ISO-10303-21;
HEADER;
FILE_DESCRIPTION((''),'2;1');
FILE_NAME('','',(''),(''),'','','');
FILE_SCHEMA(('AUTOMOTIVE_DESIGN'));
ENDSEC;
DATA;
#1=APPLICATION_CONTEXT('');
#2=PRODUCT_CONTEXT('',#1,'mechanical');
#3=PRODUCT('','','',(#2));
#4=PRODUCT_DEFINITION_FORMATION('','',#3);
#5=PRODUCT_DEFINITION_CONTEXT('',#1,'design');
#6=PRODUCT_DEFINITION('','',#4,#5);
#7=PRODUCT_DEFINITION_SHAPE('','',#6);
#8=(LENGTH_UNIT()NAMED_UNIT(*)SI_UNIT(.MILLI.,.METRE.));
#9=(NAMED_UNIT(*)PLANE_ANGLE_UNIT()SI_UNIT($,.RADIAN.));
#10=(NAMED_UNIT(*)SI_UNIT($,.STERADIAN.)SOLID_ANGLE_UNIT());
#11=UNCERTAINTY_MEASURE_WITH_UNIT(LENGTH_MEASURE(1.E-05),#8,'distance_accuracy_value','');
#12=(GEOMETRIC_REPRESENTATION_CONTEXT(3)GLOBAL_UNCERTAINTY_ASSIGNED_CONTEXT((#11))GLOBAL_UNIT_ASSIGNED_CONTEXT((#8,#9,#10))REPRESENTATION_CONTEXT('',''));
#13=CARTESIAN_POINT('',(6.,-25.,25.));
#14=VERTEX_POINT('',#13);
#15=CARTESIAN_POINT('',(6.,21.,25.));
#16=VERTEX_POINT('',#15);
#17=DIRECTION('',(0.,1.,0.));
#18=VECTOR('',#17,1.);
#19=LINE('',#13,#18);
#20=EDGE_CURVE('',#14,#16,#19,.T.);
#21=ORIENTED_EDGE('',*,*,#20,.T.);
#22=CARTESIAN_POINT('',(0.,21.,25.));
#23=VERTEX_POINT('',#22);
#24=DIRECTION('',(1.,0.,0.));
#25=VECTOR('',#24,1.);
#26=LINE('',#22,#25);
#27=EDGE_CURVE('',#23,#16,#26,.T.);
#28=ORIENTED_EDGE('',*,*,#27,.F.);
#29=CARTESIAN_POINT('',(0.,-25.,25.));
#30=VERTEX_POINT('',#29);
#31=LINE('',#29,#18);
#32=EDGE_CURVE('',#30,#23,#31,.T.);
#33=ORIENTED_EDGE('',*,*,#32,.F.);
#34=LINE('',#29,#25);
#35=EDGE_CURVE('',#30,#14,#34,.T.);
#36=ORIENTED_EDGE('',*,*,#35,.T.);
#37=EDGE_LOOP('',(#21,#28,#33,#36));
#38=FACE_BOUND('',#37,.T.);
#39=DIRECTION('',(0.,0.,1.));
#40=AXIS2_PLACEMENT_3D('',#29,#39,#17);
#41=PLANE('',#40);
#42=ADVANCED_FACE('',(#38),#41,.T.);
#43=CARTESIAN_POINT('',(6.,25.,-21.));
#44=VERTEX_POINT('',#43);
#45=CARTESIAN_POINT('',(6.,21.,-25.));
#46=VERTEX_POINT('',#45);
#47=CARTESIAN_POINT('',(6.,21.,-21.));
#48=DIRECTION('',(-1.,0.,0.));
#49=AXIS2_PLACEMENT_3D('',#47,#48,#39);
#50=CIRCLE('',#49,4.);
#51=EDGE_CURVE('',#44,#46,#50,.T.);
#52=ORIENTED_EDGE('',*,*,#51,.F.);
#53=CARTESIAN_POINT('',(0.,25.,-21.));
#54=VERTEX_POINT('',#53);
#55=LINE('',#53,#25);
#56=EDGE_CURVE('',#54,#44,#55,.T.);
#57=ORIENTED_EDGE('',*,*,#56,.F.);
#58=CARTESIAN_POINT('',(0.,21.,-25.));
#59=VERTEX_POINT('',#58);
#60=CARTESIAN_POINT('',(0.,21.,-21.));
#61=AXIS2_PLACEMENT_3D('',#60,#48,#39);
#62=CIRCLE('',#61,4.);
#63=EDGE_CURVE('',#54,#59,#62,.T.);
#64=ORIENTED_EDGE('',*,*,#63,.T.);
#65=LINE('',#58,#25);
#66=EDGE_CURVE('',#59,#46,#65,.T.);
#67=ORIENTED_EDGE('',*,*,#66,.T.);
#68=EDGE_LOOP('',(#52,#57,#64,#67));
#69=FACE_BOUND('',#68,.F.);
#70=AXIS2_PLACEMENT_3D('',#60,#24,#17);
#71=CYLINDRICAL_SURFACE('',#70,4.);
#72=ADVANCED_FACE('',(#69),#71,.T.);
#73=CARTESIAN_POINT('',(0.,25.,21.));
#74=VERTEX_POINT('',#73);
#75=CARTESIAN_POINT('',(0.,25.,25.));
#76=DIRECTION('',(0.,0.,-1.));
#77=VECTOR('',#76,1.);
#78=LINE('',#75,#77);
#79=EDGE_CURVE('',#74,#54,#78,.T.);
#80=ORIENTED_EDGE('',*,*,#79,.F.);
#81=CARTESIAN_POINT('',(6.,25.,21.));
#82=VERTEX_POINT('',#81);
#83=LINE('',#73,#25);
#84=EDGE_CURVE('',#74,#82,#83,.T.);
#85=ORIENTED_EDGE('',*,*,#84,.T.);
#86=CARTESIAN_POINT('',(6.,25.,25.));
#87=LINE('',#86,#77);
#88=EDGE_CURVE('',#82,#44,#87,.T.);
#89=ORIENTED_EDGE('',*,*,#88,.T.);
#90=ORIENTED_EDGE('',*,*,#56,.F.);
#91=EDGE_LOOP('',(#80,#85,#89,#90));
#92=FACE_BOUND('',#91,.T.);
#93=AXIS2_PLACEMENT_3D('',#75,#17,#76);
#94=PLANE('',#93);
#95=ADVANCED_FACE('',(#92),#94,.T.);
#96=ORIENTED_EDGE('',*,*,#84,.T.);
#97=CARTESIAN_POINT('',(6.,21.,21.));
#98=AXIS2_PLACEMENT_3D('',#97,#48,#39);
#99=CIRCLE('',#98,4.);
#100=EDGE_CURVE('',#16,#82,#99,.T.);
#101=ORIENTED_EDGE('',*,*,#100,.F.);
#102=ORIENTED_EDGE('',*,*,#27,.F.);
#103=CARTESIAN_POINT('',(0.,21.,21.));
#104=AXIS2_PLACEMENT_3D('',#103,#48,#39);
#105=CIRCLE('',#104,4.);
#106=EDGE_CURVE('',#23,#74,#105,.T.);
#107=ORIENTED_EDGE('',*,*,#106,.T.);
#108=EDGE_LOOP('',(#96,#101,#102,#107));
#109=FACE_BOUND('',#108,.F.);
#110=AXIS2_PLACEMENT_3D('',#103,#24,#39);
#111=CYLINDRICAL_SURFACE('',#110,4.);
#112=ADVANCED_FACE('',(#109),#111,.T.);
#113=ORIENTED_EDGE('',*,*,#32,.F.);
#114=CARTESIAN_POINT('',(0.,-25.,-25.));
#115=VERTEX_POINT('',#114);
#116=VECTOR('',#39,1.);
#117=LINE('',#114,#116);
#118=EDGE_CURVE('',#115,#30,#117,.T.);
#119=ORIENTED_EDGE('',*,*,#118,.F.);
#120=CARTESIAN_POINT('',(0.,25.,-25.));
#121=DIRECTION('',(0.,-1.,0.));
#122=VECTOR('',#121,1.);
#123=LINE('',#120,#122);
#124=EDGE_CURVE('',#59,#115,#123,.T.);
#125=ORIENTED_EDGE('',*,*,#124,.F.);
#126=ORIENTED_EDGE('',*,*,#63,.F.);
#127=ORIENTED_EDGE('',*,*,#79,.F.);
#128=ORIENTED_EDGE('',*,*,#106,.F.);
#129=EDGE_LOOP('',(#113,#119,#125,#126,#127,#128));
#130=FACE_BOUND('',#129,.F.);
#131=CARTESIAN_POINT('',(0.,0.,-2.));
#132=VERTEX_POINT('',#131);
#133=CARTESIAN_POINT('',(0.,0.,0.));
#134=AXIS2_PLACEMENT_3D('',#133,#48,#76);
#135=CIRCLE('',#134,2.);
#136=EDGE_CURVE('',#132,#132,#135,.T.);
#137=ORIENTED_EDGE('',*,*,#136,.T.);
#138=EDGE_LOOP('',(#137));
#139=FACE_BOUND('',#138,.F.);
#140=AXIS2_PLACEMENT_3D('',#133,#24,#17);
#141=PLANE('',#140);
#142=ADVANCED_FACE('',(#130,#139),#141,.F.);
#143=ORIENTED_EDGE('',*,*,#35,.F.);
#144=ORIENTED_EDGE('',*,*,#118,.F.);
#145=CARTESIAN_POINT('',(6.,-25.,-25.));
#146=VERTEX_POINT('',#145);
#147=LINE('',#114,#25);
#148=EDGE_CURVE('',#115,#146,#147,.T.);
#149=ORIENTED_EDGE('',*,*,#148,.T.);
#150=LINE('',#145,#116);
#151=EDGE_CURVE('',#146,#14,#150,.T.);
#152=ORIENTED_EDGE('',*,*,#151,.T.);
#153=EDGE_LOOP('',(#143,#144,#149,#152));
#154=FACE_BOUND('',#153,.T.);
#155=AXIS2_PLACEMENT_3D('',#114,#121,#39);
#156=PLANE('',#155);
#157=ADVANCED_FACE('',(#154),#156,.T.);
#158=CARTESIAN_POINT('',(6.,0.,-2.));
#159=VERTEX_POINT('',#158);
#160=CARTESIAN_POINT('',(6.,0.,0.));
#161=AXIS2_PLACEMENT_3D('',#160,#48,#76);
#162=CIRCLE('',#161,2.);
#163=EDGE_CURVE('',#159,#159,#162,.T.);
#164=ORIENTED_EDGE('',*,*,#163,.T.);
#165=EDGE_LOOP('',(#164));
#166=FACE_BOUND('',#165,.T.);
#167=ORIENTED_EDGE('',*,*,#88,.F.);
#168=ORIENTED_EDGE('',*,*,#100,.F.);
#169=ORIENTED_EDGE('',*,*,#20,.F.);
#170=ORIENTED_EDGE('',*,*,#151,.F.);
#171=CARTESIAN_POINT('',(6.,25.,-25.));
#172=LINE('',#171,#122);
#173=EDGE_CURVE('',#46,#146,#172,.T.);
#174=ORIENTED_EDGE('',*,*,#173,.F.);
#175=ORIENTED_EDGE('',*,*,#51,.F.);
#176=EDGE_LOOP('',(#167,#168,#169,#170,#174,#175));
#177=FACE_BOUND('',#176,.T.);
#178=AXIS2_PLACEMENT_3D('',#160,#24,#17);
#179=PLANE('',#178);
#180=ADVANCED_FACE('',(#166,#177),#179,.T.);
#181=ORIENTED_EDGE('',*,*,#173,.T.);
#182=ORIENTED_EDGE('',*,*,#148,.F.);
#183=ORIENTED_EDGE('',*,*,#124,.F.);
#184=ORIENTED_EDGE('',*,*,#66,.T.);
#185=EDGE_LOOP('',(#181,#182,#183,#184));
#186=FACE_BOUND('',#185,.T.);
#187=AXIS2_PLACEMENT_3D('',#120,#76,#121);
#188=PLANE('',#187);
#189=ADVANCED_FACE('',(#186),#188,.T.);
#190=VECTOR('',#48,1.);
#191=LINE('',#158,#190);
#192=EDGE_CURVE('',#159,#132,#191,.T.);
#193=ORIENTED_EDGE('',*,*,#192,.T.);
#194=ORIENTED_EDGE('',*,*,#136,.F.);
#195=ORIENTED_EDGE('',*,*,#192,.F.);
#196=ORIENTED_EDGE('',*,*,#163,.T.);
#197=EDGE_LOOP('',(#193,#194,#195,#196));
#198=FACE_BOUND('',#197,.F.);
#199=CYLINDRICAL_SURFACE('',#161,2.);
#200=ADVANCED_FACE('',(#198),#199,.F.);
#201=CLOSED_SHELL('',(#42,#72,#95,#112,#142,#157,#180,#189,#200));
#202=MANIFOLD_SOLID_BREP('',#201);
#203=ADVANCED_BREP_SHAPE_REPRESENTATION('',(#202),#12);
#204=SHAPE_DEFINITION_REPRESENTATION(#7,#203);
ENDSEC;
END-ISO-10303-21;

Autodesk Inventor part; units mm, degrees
ref_plane "YZ Plane" through (0, 0, 0) normal (1, 0, 0) x (0, 1, 0)
ref_plane "XZ Plane" through (0, 0, 0) normal (0, 1, 0) x (-1, 0, 0)
ref_plane "XY Plane" through (0, 0, 0) normal (0, 0, 1) x (1, 0, 0)
sketch "Sketch1" plane through (0, 0, 0) normal (1, 0, 0) x (0, 1, 0)
  line L0 (-25, 25) -> (25, 25)
  line L1 (25, 25) -> (25, -25)
  line L2 (25, -25) -> (-25, -25)
  line L3 (-25, -25) -> (-25, 25)
  point P0 (0, 0)
  dimension "d0" = 50
  dimension "d1" = 50
  dimension "d2" = 25
  dimension "d3" = 25
extrude "Extrusion1" add sketch "Sketch1" along normal blind 6
sketch "Sketch2" plane through (6, 0, 0) normal (1, 0, 0) x (0, 0, -1)
  point P0 (0, 0)
  point P1 (0, 0)
hole "Hole1" at (6, 0, 0) direction (-1, 0, 0) diameter 4 end through all
fillet "Fillet1" radius 4 2 edges at (3, 25, 25) (3, 25, -25)
equation "\"d0\" = hoop_tabs_width"
equation "\"d1\" = hoop_tabs_width"
equation "\"d2\" = 0.5 * d1"
equation "\"d3\" = 0.5 * d0"
equation "\"d4\" = hoop_tabs_thickness"
equation "\"d6\" = hoop_tabs_hole"
equation "\"d13\" = hoop_tabs_hole"
equation "\"hoop_angle_z\" = 45deg"
equation "\"hoop_bearing_length\" = 5deg"
equation "\"hoop_cable_diam\" = 5"
equation "\"hoop_cable_pulley_diam\" = 22"
equation "\"rack_tooth_addendum\" = 5"
equation "\"rack_tooth_dedendum\" = 5"
equation "\"rack_tooth_thickness\" = 5"
equation "\"secure_arm_angle\" = 20deg"
equation "\"secure_arm_hold_length\" = 35"
equation "\"secure_arm_radii\" = 9"
equation "\"support_baseClamp_platformLengthBuffer\" = 35"
equation "\"support_baseClamp_platformThickness\" = 15"
equation "\"support_baseClamp_platformWidthBuffer\" = 0"
equation "\"support_baseClamp_sleeveHoleDiameter\" = 12"
equation "\"support_baseClamp_sleeveSweepTerminationAngle\" = 55deg"
equation "\"support_baseClamp_thickness\" = 8"
equation "\"support_frame_endHoleBuffer\" = 25"
equation "\"support_frame_squareBarFillet\" = 2"
equation "\"support_frame_squareBarThickness\" = 5"
equation "\"hoop_tabs_width\" = 50"
equation "\"hoop_tabs_thickness\" = 6"
equation "\"hoop_tabs_hole\" = 4"
properties part number "hoop_tab"
